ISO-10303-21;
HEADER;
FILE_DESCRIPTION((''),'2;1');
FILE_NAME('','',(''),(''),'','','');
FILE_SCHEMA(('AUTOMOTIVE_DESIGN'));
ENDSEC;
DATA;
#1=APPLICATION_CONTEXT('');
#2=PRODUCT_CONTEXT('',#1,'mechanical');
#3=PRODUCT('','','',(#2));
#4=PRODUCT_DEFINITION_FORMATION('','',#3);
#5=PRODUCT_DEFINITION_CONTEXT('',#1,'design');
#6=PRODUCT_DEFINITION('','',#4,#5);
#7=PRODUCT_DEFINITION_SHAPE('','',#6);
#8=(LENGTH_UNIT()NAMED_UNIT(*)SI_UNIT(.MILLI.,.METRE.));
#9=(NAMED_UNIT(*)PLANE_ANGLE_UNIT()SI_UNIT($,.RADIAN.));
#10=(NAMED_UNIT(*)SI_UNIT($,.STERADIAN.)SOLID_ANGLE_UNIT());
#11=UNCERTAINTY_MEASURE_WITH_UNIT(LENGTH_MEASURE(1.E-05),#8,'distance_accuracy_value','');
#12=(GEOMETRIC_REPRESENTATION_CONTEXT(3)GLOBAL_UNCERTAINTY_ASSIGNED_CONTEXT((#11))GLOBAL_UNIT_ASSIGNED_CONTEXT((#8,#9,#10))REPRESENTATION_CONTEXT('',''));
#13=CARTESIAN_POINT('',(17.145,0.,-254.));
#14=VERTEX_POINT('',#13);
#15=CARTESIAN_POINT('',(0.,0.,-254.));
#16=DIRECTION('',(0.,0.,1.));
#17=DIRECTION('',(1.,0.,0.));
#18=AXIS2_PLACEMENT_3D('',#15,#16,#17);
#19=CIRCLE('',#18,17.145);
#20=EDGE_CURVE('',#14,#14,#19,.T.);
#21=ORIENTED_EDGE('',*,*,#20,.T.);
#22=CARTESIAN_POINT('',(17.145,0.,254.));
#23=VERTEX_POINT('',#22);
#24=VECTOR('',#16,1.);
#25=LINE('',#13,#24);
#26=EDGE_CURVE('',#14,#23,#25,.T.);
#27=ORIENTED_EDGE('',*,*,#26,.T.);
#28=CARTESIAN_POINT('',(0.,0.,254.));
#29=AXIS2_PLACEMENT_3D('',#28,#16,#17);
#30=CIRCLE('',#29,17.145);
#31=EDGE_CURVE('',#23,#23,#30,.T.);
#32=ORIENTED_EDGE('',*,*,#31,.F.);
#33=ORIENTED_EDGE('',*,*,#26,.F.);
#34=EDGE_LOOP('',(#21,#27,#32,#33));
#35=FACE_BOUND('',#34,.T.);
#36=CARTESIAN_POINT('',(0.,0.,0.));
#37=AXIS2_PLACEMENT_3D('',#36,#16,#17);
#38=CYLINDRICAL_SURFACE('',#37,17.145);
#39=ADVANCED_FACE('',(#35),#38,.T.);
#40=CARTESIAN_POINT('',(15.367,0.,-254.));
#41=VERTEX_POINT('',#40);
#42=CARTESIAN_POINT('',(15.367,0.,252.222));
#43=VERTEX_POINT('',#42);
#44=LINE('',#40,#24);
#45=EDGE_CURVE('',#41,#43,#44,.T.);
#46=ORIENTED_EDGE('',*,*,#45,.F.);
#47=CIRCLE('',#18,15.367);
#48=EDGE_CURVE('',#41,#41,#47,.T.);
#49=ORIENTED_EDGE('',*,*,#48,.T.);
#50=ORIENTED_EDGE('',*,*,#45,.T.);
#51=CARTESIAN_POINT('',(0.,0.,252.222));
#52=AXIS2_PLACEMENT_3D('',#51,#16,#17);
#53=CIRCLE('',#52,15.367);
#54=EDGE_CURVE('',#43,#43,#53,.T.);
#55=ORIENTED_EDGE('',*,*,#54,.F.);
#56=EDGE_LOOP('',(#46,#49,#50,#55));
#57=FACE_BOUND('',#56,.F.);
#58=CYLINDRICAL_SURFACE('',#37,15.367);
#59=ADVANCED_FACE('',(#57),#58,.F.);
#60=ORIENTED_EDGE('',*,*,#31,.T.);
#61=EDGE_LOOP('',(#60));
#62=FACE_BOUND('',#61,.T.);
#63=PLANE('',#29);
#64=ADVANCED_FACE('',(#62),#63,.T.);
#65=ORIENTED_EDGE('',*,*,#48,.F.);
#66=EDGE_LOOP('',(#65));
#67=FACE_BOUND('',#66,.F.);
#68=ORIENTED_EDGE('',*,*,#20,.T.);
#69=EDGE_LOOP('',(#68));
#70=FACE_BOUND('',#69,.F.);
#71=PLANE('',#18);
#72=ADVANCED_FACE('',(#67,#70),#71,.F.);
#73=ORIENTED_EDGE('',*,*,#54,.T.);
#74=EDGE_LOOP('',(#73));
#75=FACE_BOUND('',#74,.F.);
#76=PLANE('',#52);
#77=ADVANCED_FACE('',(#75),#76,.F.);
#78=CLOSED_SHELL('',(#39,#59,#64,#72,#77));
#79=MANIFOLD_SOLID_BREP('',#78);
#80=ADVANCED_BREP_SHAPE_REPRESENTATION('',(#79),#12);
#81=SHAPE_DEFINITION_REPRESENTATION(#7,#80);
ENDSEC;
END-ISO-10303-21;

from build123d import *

# Parameters (mm, degrees)
F0_R     = 17.145
F1_DEPTH = 254
F2_T     = -1.778


with BuildPart() as f1:
    # F0 (on Top) → F1 (new body, symmetric)
    with BuildSketch(Plane.XY):
        Circle(F0_R)
    extrude(amount=F1_DEPTH, both=True)

    # F2
    f2_openings = [f1.faces().sort_by_distance(p)[0] for p in [
        (0, 0, -254),
    ]]
    offset(amount=F2_T, openings=f2_openings)


solid = f1.part
